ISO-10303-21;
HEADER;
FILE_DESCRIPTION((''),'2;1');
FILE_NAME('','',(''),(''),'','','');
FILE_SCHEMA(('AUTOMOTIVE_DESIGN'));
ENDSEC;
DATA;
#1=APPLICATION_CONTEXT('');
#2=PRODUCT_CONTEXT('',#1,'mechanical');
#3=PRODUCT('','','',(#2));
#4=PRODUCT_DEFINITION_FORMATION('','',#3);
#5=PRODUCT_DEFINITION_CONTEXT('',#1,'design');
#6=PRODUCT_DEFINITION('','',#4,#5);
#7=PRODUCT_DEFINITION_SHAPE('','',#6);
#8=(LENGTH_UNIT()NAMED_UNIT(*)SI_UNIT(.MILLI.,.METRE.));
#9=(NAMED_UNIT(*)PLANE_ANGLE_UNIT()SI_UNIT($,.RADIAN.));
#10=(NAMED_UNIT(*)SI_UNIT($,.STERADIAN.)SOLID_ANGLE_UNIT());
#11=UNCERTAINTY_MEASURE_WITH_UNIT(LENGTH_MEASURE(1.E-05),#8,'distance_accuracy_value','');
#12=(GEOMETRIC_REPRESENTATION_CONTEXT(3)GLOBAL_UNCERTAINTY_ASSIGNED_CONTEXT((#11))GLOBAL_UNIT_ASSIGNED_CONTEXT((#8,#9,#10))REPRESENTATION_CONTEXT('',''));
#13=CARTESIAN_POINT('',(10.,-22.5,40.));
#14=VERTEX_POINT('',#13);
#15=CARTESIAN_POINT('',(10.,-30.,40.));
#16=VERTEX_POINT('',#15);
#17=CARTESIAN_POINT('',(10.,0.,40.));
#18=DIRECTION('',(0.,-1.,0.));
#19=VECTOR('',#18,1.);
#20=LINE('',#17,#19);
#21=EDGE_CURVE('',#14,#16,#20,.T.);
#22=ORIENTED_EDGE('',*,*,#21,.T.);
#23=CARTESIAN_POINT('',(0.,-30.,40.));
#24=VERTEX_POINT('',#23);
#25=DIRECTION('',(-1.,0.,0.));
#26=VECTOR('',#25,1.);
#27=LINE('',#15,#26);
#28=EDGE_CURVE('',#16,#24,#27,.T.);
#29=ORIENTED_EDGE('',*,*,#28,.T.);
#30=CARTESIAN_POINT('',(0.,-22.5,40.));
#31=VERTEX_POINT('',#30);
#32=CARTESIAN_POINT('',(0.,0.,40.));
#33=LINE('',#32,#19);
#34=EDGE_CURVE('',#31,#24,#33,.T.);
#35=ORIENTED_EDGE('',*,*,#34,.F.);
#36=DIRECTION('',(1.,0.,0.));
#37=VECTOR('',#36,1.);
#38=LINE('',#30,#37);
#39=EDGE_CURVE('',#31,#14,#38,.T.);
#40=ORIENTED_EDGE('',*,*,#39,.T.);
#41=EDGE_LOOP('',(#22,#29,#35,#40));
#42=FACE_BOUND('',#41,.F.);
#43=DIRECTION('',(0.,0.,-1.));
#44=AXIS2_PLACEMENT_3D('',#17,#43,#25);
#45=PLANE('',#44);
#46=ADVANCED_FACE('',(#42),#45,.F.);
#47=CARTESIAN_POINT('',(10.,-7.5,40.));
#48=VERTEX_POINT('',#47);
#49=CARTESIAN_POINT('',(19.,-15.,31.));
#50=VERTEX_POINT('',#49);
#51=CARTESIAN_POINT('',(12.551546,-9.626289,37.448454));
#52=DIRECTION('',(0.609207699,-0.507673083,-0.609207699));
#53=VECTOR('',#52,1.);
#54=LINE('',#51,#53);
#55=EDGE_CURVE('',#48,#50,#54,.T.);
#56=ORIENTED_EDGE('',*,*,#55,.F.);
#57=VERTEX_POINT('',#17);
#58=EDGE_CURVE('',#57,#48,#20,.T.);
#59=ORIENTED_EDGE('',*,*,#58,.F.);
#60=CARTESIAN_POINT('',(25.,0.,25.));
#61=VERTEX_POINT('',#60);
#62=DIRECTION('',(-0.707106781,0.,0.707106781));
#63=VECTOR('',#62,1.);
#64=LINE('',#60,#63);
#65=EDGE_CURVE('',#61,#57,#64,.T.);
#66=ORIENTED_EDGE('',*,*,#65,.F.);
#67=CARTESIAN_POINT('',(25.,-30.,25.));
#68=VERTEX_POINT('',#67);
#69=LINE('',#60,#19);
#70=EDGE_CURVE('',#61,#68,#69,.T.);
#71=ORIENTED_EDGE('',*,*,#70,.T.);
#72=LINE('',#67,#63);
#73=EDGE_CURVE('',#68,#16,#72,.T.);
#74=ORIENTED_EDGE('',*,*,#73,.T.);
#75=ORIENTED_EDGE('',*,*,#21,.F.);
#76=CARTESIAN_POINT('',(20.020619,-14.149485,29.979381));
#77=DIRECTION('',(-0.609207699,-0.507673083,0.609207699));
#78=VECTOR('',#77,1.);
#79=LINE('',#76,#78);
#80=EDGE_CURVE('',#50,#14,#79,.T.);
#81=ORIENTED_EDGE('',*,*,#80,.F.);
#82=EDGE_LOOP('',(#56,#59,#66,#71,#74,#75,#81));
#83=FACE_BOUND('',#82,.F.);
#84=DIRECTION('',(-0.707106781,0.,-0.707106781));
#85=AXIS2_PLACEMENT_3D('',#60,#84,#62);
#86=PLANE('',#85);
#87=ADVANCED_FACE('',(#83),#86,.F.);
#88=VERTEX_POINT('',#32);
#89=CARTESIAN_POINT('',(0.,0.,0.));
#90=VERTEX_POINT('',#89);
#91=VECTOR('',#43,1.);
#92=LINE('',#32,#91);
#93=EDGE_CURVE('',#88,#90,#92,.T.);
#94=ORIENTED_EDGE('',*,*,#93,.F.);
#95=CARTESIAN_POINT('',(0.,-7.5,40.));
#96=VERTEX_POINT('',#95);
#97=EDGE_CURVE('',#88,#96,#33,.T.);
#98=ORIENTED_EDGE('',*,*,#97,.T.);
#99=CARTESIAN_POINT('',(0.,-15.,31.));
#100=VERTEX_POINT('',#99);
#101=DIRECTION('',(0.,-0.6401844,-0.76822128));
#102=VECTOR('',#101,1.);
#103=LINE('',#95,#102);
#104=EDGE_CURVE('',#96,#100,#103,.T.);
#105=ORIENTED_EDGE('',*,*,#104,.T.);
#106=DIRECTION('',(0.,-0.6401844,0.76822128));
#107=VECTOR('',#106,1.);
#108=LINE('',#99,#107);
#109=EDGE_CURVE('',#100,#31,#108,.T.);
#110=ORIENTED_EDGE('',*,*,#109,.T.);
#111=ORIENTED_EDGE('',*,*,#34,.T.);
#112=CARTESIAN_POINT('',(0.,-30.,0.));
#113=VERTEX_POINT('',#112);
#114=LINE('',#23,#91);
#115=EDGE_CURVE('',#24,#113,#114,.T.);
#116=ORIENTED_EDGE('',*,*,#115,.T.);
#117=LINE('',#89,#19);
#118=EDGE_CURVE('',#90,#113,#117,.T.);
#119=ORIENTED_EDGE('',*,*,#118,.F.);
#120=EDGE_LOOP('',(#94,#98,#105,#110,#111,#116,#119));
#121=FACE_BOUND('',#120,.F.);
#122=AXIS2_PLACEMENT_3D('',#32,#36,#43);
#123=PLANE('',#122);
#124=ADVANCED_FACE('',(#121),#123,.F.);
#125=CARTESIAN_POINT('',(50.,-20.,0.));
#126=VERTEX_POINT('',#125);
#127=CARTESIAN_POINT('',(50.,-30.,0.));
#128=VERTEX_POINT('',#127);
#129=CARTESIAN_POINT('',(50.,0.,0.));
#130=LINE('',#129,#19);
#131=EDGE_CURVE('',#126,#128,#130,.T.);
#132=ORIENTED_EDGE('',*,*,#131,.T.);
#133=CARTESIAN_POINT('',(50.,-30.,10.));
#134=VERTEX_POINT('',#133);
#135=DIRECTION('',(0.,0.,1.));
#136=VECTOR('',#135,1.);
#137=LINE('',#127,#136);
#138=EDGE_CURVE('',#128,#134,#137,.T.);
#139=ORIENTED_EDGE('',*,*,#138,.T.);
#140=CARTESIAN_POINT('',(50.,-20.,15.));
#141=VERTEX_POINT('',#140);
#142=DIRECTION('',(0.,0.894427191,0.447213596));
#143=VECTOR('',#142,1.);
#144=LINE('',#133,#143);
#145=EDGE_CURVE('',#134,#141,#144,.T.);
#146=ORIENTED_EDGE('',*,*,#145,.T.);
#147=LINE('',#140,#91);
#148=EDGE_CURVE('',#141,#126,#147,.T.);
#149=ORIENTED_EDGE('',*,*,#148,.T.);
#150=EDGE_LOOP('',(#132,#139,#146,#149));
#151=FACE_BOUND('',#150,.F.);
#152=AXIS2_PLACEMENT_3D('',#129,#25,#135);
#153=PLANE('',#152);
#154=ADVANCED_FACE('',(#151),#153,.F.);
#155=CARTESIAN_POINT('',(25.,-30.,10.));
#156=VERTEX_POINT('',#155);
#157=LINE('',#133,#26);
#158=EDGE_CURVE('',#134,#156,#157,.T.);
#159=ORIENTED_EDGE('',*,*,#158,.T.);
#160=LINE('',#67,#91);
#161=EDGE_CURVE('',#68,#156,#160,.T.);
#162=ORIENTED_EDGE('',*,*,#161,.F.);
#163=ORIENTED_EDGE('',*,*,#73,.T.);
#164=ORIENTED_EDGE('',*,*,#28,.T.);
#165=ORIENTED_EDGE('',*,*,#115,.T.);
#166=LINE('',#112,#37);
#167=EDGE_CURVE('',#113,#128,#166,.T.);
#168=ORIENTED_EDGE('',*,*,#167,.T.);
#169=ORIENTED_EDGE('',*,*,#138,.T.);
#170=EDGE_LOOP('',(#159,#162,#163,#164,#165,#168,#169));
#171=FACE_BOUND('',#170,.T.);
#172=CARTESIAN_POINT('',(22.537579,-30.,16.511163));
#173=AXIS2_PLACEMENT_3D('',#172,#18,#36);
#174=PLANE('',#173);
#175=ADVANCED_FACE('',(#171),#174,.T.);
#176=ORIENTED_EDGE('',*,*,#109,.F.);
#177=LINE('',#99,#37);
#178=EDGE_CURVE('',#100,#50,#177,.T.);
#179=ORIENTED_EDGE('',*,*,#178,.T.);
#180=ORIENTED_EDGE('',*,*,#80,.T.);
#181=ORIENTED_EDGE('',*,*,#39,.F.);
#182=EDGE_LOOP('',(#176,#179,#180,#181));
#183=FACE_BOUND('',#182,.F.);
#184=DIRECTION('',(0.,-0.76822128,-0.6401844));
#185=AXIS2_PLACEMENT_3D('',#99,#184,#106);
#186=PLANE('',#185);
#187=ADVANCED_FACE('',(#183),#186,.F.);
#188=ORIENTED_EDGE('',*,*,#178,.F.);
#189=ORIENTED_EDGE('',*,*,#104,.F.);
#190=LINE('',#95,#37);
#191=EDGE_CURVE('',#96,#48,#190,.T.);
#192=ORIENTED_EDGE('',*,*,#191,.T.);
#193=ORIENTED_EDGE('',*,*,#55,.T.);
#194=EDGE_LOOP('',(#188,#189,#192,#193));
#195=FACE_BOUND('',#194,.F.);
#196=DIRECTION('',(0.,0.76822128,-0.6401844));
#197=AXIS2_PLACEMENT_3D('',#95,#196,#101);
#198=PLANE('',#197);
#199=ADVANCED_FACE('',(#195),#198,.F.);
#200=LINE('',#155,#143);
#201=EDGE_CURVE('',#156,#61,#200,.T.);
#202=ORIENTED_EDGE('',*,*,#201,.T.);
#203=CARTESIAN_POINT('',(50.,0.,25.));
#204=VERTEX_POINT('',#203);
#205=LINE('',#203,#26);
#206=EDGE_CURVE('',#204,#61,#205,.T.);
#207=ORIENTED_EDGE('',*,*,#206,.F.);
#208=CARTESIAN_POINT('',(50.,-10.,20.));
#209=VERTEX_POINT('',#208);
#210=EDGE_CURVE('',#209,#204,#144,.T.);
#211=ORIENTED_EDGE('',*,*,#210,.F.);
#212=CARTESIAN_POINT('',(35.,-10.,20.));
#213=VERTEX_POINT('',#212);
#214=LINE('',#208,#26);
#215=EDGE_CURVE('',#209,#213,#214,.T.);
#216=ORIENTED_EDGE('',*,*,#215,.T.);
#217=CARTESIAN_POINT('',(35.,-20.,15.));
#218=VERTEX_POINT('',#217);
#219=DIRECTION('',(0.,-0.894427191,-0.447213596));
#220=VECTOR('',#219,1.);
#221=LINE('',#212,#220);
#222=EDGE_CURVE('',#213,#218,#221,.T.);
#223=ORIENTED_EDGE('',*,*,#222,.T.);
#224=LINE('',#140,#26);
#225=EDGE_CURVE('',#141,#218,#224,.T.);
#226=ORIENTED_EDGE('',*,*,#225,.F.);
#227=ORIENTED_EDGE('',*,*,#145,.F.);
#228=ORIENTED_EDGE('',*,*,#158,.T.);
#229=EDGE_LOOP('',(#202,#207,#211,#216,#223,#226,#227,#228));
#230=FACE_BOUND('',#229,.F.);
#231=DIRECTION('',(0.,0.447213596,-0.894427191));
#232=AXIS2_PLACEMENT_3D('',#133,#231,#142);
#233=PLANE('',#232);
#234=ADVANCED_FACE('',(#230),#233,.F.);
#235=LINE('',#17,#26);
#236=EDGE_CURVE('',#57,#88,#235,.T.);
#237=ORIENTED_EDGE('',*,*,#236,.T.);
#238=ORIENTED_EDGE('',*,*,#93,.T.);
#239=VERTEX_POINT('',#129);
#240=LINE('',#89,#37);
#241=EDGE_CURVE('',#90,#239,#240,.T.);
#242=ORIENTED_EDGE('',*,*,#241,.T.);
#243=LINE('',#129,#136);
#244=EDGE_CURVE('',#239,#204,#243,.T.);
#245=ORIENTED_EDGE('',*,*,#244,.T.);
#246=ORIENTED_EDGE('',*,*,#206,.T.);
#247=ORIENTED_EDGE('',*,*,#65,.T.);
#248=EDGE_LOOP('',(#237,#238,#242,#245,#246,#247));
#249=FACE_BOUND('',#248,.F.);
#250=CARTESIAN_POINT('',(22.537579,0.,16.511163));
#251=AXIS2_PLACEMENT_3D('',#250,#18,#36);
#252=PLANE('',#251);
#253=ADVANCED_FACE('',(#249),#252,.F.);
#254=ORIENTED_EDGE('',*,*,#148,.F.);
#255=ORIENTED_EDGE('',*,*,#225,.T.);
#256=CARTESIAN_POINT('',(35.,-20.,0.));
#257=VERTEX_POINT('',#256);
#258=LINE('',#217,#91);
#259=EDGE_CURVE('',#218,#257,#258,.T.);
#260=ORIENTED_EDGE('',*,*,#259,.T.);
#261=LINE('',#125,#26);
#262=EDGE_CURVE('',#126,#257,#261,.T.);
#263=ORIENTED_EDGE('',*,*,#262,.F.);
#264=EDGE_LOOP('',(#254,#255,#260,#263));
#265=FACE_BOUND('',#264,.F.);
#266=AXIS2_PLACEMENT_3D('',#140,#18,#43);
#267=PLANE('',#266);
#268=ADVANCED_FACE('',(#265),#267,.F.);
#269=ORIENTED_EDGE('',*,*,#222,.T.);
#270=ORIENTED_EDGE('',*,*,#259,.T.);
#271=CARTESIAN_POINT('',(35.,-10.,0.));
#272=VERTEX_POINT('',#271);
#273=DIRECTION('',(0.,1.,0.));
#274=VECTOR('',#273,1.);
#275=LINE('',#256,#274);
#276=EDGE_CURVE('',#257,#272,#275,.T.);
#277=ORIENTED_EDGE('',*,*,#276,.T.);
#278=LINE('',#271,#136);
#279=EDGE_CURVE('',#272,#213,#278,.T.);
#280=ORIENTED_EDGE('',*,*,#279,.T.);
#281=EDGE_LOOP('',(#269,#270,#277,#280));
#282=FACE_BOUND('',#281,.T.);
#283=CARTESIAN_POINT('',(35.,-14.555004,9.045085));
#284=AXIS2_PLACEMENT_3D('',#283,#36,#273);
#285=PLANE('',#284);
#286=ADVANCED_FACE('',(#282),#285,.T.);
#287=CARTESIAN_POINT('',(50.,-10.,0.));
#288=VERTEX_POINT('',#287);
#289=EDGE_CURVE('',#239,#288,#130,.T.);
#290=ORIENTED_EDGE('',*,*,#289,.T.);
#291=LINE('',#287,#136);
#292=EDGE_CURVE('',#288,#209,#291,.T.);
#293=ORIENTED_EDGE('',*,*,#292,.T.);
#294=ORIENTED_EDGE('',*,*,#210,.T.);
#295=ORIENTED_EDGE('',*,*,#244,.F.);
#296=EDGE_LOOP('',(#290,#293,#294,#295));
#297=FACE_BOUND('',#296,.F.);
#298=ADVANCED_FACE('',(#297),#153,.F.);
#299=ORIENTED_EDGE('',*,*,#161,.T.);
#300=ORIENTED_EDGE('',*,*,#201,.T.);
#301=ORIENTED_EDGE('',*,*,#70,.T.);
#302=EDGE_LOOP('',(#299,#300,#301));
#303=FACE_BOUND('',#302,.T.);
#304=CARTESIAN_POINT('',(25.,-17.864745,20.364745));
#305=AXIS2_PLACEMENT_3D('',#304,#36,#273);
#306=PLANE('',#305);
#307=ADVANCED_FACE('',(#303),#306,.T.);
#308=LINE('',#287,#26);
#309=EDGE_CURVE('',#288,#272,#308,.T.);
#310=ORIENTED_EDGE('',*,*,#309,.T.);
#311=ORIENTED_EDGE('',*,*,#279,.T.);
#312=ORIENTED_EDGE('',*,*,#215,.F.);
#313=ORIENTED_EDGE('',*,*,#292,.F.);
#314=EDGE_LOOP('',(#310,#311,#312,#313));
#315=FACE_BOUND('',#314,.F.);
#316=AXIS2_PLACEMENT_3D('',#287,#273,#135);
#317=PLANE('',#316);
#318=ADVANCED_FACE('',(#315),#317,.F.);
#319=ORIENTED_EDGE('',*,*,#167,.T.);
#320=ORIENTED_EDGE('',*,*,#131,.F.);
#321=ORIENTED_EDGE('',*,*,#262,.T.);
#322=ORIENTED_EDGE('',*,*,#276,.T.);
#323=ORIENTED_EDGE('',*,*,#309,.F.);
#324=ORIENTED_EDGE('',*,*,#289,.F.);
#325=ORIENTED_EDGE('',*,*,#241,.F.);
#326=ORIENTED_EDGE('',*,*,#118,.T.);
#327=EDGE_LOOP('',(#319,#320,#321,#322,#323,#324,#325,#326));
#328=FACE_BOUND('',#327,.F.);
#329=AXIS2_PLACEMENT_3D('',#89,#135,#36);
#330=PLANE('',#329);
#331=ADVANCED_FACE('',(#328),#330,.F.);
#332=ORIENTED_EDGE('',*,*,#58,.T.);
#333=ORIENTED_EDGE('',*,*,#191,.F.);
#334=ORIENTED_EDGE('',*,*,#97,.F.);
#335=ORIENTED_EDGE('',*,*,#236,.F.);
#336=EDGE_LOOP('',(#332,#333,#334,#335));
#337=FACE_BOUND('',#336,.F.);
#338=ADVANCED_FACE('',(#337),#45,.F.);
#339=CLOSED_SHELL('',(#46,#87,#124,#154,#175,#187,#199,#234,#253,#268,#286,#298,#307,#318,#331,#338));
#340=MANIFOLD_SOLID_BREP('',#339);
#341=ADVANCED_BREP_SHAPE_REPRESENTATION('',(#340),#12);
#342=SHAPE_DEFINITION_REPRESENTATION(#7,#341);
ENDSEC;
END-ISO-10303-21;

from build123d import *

# Parameters (mm, degrees)
F1_DEPTH = 30
F3_DEPTH = 50.001
F5_DEPTH = 25
F6_DEPTH = 15


with BuildPart() as f1:
    # F0 (on Front) → F1 (new body)
    with BuildSketch(Plane.XZ):
        Polygon((0, 40), (0, 0), (50, 0), (50, 25), (25, 25), (10, 40), align=None)
    extrude(amount=F1_DEPTH)

    # F2 (on face) → F3 (cut, through all)
    with BuildSketch(Plane(origin=(0, 0, 0), x_dir=(0, -1, 0), z_dir=(-1, 0, 0))):
        Polygon((7.5, 40), (15, 31), (22.5, 40), align=None)
    extrude(amount=-F3_DEPTH, mode=Mode.SUBTRACT)

    # F4 (on face) → F5 (cut, through all)
    with BuildSketch(Plane.YZ.offset(50)):
        Polygon((-10, 20), (0, 25), (-30, 25), (-30, 10), (-20, 15), align=None)
    extrude(amount=-F5_DEPTH, mode=Mode.SUBTRACT)

    # F4 (on face) → F6 (cut)
    with BuildSketch(Plane.YZ.offset(50)):
        Polygon((-10, 0), (-10, 20), (-20, 15), (-20, 0), align=None)
    extrude(amount=-F6_DEPTH, mode=Mode.SUBTRACT)


solid = f1.part
